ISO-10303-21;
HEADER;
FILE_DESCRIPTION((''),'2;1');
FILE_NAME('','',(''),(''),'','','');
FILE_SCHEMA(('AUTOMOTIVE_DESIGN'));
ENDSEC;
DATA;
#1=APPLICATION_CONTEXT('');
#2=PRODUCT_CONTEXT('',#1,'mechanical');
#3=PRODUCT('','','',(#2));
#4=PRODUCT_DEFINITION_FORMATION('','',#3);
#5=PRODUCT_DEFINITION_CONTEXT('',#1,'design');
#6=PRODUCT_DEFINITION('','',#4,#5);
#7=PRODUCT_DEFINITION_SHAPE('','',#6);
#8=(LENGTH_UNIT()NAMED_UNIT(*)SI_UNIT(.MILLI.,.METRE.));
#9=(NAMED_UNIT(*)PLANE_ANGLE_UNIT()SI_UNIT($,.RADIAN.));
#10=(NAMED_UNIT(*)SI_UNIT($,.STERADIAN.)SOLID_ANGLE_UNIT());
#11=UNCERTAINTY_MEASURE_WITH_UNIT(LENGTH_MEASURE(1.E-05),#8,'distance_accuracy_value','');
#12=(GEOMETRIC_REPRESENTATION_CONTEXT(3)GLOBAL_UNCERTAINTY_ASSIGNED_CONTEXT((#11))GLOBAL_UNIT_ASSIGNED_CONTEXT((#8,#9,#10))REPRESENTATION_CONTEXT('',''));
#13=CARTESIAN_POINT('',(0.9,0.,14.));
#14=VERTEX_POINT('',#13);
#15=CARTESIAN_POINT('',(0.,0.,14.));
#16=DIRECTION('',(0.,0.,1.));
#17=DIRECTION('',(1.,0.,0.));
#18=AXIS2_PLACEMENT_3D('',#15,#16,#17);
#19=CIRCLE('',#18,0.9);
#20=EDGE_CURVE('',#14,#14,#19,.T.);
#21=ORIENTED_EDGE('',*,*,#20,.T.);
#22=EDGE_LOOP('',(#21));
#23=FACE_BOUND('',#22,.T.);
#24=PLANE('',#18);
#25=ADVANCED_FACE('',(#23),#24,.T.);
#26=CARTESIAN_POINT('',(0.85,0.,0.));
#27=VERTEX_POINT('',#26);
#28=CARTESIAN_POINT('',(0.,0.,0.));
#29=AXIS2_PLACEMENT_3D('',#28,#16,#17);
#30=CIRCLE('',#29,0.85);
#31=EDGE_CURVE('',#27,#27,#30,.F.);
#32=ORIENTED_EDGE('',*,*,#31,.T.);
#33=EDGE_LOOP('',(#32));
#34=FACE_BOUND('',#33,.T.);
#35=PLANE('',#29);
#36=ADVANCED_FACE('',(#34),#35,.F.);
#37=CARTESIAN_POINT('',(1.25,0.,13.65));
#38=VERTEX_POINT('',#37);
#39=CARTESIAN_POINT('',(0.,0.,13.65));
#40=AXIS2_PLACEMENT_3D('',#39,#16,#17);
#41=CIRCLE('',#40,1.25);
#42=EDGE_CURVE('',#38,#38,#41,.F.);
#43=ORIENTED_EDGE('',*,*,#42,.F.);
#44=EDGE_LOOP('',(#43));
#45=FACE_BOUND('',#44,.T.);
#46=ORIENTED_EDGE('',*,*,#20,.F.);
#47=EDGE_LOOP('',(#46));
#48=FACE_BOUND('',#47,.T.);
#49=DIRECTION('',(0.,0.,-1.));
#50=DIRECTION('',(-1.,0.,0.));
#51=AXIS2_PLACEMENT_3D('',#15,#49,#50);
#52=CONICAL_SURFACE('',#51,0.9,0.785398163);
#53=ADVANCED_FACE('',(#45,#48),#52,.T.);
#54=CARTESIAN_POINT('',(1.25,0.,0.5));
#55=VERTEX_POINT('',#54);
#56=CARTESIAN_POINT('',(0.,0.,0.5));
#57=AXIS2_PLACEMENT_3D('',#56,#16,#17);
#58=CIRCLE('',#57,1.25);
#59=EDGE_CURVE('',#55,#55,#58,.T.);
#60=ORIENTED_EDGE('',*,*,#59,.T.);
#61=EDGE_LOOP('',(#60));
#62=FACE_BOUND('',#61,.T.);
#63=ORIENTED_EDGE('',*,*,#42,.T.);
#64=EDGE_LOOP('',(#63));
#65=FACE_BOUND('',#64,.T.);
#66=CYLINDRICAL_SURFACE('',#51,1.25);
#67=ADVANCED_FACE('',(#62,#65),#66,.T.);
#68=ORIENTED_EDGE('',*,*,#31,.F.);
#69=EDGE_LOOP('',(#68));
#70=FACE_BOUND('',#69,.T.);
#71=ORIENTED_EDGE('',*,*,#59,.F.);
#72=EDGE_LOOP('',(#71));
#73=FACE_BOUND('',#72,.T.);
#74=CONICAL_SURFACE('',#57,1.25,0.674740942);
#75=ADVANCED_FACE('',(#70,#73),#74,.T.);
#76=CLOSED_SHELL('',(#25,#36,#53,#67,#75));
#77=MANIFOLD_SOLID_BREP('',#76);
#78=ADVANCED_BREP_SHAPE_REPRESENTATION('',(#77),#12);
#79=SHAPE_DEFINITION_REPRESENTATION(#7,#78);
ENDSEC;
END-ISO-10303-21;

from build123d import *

# Parameters (mm, degrees)
SKETCH1_R           = 1.25
BOSS_EXTRUDE1_DEPTH = 14
CHAMFER1_SIZE       = 0.35
CHAMFER2_SIZE       = 0.4
CHAMFER2_SIZE2      = 0.5


with BuildPart() as part:
    # Sketch1 → Boss-Extrude1 (new body)
    with BuildSketch(Plane.XY):
        Circle(SKETCH1_R)
    extrude(amount=BOSS_EXTRUDE1_DEPTH)

    # Chamfer1
    chamfer1_edges = [part.edges().sort_by_distance(p)[0] for p in [
        (-1.25, 0, 14),
    ]]
    chamfer(chamfer1_edges, length=CHAMFER1_SIZE)

    # Chamfer2
    chamfer2_edges = [part.edges().sort_by_distance(p)[0] for p in [
        (-1.25, 0, 0),
    ]]
    chamfer2_side = [part.faces().sort_by_distance(p)[0] for p in [
        (0, 0, 0),
    ]]
    chamfer(chamfer2_edges, length=CHAMFER2_SIZE, length2=CHAMFER2_SIZE2, reference=chamfer2_side[0])


solid = part.part
